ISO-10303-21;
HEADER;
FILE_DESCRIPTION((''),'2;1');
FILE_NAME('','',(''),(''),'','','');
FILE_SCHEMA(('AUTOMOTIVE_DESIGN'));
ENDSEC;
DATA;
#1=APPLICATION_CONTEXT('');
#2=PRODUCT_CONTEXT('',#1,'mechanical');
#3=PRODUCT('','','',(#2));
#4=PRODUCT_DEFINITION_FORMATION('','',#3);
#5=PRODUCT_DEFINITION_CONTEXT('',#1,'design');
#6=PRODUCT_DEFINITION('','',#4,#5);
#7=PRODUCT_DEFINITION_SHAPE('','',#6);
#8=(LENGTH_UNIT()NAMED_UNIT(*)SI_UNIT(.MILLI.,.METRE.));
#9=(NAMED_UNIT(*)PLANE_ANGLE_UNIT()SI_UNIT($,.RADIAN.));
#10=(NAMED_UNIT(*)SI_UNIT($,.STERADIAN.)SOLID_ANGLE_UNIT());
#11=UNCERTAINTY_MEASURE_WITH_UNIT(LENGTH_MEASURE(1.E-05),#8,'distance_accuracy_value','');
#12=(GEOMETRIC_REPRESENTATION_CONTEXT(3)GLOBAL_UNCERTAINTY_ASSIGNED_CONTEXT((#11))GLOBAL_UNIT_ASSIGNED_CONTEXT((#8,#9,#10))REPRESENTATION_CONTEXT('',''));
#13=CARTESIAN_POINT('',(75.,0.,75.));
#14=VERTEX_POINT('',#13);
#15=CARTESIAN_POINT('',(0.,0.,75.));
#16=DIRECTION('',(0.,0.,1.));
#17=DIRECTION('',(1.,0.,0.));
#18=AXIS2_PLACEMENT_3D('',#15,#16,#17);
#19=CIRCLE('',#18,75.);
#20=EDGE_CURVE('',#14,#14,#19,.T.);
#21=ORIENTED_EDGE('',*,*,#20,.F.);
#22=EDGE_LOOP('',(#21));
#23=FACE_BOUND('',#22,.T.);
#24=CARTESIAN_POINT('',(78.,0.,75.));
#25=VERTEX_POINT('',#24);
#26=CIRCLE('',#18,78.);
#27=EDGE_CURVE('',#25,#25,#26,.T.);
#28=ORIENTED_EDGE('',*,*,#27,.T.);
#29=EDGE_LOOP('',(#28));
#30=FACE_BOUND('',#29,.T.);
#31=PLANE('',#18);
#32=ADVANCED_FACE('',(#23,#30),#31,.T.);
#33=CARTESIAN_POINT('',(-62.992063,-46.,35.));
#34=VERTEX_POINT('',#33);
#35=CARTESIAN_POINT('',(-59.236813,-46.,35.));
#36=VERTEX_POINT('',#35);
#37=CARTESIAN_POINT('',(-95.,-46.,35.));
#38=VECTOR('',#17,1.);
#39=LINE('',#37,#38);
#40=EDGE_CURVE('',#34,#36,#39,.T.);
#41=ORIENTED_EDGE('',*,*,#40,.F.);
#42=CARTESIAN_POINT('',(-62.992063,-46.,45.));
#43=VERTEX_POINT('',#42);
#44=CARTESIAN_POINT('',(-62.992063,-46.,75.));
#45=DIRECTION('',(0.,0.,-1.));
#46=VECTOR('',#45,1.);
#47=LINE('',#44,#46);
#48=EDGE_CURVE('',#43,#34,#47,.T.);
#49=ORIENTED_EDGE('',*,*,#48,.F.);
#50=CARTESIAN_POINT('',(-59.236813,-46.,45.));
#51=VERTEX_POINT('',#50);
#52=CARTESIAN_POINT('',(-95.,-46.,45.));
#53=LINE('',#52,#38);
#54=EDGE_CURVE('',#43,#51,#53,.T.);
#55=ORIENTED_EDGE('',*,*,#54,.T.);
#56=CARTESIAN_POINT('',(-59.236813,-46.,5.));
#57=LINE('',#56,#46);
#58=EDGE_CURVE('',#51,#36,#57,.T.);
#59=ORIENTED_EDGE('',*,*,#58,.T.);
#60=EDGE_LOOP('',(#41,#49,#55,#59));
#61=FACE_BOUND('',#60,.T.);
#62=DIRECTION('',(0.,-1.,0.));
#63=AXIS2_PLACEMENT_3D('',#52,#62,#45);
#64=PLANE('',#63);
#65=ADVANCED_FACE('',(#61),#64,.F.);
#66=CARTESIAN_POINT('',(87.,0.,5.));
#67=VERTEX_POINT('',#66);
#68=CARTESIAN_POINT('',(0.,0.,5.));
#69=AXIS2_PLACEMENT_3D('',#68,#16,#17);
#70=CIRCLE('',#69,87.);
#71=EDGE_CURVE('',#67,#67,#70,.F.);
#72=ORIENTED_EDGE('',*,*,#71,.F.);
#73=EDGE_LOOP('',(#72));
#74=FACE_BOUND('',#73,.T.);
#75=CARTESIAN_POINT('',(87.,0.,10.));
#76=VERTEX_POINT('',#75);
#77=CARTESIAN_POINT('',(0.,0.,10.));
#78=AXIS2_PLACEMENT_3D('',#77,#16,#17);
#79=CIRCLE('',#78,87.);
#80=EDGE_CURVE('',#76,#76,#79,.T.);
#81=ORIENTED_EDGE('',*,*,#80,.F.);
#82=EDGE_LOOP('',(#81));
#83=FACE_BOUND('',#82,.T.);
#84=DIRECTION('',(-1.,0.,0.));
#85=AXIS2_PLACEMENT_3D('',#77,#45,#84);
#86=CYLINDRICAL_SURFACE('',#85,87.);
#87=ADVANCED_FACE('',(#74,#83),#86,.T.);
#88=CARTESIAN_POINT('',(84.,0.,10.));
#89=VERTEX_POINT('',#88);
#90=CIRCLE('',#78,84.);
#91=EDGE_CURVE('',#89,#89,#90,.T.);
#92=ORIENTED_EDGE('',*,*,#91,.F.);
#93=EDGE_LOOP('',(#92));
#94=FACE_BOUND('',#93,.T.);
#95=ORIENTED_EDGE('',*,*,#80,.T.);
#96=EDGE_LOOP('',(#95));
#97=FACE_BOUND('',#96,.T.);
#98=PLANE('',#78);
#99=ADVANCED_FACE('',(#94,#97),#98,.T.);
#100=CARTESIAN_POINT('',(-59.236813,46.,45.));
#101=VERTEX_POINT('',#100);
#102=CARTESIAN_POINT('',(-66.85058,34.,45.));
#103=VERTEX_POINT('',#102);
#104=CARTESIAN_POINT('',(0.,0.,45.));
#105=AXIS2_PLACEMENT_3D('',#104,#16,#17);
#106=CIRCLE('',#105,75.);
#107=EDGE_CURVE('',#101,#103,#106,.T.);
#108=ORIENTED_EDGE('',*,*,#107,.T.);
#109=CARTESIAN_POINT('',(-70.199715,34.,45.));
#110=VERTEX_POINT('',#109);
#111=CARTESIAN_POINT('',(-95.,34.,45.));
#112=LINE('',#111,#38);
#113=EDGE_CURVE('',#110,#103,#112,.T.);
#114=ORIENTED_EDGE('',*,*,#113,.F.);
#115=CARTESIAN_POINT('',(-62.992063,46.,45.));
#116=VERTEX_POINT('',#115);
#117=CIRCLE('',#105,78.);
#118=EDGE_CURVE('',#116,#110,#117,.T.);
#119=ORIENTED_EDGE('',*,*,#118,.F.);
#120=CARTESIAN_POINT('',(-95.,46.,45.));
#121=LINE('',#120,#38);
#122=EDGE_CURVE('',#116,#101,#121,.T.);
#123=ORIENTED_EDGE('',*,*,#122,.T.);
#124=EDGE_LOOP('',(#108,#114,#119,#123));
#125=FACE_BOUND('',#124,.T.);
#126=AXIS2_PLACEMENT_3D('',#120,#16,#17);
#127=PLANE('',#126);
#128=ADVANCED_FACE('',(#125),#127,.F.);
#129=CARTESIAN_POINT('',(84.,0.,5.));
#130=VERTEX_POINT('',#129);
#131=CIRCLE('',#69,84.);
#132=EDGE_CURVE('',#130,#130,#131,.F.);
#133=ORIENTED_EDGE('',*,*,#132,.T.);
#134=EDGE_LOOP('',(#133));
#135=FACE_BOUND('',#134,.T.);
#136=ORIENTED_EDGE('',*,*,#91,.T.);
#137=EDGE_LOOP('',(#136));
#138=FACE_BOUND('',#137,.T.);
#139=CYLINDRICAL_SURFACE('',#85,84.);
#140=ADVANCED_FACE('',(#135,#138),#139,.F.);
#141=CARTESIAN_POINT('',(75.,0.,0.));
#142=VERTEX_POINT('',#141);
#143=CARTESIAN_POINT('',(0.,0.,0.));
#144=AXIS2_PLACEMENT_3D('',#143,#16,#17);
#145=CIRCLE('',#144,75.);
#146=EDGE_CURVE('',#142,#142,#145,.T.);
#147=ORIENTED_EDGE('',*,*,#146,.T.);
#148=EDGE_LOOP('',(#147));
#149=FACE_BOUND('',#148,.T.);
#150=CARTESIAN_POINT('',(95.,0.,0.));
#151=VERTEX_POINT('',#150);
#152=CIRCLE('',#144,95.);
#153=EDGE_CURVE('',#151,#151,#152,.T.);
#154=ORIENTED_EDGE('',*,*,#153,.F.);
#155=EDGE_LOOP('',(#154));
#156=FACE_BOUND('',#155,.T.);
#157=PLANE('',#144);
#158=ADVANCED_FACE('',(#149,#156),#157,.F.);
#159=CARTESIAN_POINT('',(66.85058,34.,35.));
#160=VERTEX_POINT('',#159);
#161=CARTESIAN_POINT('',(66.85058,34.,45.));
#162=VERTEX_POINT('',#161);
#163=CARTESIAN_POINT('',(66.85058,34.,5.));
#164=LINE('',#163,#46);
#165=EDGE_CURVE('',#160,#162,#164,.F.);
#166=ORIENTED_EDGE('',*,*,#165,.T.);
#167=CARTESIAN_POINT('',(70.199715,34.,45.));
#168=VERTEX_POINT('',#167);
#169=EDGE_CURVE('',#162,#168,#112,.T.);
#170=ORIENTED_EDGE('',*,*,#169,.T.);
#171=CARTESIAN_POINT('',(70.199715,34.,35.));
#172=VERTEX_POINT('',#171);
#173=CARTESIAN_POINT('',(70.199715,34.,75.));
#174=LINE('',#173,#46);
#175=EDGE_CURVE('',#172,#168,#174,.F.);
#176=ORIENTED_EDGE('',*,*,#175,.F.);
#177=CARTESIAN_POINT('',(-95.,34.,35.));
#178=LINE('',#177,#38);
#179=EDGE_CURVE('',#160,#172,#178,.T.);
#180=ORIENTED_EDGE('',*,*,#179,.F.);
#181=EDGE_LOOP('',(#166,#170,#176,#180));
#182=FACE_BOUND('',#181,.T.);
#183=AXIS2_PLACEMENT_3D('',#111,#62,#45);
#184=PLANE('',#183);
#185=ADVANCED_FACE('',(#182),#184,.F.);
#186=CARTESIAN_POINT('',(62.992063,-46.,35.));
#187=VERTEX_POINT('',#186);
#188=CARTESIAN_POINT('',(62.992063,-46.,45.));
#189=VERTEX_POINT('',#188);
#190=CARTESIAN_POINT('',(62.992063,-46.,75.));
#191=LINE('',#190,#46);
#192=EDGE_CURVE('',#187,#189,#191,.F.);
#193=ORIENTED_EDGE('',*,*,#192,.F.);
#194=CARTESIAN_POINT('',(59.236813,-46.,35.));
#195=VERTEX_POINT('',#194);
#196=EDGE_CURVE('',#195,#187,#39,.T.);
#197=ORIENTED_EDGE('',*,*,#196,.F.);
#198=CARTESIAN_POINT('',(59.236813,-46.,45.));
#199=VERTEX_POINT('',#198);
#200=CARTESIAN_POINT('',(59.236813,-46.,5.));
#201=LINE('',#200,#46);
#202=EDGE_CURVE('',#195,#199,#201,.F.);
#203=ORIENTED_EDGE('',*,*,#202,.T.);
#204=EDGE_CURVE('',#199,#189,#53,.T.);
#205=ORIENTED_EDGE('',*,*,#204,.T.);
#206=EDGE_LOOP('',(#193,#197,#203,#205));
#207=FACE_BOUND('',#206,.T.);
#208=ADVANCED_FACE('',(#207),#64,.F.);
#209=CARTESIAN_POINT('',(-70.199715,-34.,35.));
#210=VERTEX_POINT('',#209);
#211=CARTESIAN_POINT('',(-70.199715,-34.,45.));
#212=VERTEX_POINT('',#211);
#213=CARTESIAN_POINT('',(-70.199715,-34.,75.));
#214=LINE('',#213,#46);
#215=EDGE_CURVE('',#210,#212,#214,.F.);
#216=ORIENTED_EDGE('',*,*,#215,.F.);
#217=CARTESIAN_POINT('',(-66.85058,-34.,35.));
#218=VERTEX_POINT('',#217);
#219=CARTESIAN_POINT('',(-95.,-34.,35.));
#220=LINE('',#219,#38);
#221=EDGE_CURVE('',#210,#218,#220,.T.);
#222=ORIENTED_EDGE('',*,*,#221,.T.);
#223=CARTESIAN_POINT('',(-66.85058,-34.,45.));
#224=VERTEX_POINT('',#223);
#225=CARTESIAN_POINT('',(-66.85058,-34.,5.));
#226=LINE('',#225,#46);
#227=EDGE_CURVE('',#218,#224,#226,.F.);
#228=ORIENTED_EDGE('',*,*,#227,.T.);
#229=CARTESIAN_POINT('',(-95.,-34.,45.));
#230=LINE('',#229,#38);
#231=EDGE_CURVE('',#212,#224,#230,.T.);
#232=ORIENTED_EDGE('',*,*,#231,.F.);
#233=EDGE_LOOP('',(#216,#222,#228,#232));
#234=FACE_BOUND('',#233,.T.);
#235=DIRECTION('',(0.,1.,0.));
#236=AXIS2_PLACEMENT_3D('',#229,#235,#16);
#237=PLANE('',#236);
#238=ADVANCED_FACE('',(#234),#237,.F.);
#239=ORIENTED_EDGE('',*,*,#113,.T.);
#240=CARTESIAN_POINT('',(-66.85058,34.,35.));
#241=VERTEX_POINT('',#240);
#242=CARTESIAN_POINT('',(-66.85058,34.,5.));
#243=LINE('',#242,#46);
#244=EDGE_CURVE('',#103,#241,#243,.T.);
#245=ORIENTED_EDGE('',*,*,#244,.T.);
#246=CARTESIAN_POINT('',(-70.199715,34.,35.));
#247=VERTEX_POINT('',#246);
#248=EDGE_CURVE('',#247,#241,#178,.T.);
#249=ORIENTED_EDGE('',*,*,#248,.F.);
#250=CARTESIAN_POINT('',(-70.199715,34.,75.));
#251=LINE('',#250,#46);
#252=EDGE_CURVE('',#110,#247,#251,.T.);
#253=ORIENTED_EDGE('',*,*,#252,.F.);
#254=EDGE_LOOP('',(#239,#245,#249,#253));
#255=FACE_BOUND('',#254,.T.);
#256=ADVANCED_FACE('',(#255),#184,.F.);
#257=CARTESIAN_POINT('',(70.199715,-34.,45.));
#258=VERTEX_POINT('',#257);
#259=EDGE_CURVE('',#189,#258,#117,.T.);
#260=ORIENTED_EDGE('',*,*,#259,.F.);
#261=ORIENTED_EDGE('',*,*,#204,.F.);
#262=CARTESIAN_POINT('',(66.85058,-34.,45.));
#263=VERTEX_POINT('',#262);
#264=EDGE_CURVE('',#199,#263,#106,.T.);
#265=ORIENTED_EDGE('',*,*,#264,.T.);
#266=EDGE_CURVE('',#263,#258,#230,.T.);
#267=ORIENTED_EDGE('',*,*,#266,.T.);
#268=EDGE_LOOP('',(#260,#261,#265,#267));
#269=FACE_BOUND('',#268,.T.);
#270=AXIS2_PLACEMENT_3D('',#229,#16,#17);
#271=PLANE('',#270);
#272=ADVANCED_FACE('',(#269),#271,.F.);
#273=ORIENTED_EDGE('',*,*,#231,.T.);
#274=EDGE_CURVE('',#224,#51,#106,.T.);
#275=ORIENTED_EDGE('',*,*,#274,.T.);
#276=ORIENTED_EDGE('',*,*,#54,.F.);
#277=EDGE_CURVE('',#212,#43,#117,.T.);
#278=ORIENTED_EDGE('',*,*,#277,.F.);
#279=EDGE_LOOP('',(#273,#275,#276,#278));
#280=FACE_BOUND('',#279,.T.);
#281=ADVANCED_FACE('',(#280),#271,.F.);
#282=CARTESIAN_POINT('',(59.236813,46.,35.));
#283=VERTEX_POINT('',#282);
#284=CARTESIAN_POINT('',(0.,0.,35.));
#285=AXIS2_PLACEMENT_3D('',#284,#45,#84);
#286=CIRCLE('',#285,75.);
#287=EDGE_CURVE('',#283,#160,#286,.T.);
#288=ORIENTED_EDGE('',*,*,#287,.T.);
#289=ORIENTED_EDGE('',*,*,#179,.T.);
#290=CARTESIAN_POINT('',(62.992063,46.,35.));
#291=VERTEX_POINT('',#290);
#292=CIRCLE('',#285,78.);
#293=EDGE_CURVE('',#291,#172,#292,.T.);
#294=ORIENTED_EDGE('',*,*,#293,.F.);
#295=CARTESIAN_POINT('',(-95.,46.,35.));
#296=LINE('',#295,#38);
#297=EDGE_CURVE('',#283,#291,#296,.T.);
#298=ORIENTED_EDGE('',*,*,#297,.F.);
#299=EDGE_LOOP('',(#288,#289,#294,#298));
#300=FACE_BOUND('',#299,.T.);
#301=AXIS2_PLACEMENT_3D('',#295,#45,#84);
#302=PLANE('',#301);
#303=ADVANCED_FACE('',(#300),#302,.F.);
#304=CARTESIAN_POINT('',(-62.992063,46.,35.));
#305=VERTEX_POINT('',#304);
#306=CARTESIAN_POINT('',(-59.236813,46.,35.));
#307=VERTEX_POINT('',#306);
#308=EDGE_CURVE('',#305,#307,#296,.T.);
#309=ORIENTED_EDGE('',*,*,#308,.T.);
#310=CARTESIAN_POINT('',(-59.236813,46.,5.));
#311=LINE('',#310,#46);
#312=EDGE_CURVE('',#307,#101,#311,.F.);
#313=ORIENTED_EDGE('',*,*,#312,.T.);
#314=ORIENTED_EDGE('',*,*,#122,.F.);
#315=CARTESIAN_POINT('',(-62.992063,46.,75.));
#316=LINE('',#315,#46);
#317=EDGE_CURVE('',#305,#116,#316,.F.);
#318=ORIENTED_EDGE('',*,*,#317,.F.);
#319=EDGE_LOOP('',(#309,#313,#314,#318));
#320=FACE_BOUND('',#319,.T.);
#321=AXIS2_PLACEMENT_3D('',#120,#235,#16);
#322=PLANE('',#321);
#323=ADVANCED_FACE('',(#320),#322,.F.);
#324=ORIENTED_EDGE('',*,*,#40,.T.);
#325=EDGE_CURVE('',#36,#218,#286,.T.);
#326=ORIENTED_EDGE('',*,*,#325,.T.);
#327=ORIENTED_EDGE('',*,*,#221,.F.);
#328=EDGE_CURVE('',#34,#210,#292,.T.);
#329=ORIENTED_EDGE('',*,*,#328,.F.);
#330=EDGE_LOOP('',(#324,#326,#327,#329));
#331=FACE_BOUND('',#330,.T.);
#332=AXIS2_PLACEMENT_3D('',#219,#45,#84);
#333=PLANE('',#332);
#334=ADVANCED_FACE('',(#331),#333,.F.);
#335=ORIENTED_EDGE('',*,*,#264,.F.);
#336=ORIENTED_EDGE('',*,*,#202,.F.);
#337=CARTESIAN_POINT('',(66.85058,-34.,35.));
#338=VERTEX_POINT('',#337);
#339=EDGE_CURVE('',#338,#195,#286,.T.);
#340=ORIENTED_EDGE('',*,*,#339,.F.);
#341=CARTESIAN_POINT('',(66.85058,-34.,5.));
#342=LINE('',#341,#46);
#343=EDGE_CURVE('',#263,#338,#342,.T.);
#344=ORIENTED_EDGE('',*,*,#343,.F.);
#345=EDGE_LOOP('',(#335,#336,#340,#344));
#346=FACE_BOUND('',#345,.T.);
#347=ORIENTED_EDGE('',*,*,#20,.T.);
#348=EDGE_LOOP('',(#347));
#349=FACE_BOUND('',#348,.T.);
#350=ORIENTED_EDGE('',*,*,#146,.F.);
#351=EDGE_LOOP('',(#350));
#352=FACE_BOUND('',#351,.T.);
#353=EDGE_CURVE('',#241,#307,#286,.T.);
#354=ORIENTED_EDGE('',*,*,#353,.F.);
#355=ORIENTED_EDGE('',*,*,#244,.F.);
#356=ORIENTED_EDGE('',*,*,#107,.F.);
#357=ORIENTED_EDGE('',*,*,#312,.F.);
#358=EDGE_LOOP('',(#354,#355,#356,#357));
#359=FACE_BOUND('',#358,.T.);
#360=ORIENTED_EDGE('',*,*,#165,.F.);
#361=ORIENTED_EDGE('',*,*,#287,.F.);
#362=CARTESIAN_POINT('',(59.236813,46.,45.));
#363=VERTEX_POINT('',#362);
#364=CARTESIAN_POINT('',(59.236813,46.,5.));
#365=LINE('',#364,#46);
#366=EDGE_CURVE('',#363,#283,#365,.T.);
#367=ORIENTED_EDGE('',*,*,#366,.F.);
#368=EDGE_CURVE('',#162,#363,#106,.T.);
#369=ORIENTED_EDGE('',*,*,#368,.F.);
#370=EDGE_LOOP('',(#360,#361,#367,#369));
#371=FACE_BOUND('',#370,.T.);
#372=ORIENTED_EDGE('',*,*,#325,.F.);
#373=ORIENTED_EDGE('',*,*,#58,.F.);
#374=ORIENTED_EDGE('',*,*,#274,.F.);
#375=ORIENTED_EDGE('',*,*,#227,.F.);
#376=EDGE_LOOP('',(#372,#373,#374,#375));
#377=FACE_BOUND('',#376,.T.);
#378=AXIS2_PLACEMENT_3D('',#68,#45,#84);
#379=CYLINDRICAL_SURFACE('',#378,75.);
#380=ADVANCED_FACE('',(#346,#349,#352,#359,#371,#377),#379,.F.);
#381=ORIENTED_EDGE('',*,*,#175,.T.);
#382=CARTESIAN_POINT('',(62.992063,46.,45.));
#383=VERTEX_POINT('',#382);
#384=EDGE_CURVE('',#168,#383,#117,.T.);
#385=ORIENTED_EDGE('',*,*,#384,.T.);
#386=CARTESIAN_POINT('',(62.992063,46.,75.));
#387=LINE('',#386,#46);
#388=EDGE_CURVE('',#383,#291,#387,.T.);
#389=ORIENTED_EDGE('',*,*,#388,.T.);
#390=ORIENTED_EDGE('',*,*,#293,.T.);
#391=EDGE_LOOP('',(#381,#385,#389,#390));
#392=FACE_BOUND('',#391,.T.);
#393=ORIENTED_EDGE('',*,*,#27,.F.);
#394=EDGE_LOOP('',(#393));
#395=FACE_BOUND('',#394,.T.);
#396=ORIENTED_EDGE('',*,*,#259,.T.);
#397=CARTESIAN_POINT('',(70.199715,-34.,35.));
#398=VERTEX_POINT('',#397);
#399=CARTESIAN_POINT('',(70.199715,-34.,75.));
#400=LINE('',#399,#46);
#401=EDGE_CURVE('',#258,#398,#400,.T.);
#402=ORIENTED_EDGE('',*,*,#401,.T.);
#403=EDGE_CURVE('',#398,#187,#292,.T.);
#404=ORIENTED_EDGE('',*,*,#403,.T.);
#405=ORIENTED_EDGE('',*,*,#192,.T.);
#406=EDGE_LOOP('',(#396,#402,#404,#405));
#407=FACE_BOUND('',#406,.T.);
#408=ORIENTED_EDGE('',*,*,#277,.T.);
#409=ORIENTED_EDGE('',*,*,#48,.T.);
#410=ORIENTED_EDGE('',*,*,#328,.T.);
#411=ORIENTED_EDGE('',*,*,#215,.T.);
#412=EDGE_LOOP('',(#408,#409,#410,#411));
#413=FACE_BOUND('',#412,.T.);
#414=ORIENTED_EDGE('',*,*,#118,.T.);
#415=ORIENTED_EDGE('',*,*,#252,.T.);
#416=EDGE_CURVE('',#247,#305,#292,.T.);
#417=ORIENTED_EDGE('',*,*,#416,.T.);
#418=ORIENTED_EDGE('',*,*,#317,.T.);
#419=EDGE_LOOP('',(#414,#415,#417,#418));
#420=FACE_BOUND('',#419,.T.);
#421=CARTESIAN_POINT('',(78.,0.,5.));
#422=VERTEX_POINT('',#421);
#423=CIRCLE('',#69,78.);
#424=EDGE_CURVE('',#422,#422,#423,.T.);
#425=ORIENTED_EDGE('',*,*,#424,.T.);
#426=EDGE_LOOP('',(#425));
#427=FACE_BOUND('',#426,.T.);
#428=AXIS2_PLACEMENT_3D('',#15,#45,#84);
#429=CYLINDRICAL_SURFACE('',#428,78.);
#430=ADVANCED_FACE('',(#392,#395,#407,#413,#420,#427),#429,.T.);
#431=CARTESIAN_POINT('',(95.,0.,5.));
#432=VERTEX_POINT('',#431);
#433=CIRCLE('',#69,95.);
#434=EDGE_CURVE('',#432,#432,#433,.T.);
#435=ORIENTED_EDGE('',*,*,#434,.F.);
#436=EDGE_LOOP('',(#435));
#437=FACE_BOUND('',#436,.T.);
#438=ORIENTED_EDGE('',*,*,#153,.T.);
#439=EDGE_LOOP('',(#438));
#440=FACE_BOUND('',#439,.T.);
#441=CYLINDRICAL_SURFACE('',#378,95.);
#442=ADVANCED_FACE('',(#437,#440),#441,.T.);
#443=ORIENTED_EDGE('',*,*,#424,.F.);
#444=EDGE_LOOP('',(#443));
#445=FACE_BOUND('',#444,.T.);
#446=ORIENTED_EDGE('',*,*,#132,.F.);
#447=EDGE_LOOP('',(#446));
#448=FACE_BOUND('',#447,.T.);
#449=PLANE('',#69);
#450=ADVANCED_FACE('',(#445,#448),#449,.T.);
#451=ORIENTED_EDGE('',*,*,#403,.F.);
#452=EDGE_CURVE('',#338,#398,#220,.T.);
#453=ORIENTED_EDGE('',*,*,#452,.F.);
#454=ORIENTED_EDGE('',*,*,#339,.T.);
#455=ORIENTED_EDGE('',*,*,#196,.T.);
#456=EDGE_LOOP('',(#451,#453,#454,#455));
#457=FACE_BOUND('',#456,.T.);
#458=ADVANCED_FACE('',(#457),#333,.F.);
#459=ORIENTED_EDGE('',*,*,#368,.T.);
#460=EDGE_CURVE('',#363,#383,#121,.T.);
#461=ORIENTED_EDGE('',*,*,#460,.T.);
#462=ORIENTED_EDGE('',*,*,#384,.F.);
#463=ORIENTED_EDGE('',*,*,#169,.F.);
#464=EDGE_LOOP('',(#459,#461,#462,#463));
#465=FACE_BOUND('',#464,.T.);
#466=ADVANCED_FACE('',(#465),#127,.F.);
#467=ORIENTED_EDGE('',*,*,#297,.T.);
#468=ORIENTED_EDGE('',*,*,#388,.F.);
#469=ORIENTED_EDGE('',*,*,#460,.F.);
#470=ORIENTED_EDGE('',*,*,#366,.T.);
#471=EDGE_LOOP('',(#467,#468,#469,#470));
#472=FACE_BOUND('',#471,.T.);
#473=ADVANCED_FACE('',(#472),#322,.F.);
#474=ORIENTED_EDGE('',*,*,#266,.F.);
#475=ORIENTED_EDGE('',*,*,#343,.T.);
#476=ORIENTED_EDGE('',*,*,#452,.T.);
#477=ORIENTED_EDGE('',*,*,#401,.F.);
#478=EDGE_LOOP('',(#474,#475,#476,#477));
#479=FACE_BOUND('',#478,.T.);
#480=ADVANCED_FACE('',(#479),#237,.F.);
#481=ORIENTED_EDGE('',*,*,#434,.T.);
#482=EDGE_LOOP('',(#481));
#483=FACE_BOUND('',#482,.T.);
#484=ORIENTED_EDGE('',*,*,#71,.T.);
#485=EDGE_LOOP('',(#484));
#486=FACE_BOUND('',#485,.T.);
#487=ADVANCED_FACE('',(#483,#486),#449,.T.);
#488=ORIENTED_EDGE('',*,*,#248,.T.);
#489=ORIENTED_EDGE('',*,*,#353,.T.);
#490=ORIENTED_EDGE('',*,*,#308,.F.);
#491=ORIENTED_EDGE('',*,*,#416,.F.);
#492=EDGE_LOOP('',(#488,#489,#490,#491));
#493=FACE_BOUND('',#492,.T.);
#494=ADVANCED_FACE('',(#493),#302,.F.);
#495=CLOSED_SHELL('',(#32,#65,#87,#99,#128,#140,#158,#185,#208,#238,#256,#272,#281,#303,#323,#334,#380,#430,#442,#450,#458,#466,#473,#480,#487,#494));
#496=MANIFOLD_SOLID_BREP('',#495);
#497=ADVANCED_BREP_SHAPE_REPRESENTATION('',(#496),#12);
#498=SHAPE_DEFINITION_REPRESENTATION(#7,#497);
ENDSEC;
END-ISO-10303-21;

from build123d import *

# Parameters (mm, degrees)
SKETCH2_R               = 95
SKETCH2_R_2             = 75
BOSS_EXTRUDE1_DEPTH     = 5
SKETCH3_R               = 87
SKETCH3_R_2             = 84
BOSS_EXTRUDE2_DEPTH     = 10
SKETCH4_R               = 78
SKETCH4_R_2             = 75
BOSS_EXTRUDE3_DEPTH     = 70
CUT_EXTRUDE3_DEPTH      = 161.23420359
CUT_EXTRUDE3_DEPTH_BACK = 161.23420359
SKETCH6_W               = 10
SKETCH6_H               = 12
CUT_EXTRUDE4_DEPTH      = 161.23420359
CUT_EXTRUDE4_DEPTH_BACK = 161.23420359
SKETCH7_W               = 10
SKETCH7_H               = 12


with BuildPart() as part:
    # Sketch2 → Boss-Extrude1 (new body)
    with BuildSketch(Plane.XY):
        Circle(SKETCH2_R)
        Circle(SKETCH2_R_2, mode=Mode.SUBTRACT)
    extrude(amount=BOSS_EXTRUDE1_DEPTH)

    # Sketch3 → Boss-Extrude2 (add)
    with BuildSketch(Plane.XY):
        Circle(SKETCH3_R)
        Circle(SKETCH3_R_2, mode=Mode.SUBTRACT)
    extrude(amount=BOSS_EXTRUDE2_DEPTH)

    # Sketch4 → Boss-Extrude3 (add)
    with BuildSketch(Plane.XY.offset(5)):
        Circle(SKETCH4_R)
        Circle(SKETCH4_R_2, mode=Mode.SUBTRACT)
    extrude(amount=BOSS_EXTRUDE3_DEPTH)

    # Sketch6 → Cut-Extrude3 (cut, two sides: drawn at the far end of the back side and taken through both)
    with BuildSketch(Plane(origin=(10, 0, 0), x_dir=(0, 0, -1), z_dir=(1, 0, 0)).offset(-CUT_EXTRUDE3_DEPTH_BACK)):
        with Locations((-40, 40)):
            Rectangle(SKETCH6_W, SKETCH6_H)
    extrude(amount=CUT_EXTRUDE3_DEPTH + CUT_EXTRUDE3_DEPTH_BACK, mode=Mode.SUBTRACT)

    # Sketch7 → Cut-Extrude4 (cut, two sides: drawn at the far end of the back side and taken through both)
    with BuildSketch(Plane(origin=(10, 0, 0), x_dir=(0, 0, -1), z_dir=(1, 0, 0)).offset(-CUT_EXTRUDE4_DEPTH_BACK)):
        with Locations((-40, -40)):
            Rectangle(SKETCH7_W, SKETCH7_H)
    extrude(amount=CUT_EXTRUDE4_DEPTH + CUT_EXTRUDE4_DEPTH_BACK, mode=Mode.SUBTRACT)


solid = part.part
